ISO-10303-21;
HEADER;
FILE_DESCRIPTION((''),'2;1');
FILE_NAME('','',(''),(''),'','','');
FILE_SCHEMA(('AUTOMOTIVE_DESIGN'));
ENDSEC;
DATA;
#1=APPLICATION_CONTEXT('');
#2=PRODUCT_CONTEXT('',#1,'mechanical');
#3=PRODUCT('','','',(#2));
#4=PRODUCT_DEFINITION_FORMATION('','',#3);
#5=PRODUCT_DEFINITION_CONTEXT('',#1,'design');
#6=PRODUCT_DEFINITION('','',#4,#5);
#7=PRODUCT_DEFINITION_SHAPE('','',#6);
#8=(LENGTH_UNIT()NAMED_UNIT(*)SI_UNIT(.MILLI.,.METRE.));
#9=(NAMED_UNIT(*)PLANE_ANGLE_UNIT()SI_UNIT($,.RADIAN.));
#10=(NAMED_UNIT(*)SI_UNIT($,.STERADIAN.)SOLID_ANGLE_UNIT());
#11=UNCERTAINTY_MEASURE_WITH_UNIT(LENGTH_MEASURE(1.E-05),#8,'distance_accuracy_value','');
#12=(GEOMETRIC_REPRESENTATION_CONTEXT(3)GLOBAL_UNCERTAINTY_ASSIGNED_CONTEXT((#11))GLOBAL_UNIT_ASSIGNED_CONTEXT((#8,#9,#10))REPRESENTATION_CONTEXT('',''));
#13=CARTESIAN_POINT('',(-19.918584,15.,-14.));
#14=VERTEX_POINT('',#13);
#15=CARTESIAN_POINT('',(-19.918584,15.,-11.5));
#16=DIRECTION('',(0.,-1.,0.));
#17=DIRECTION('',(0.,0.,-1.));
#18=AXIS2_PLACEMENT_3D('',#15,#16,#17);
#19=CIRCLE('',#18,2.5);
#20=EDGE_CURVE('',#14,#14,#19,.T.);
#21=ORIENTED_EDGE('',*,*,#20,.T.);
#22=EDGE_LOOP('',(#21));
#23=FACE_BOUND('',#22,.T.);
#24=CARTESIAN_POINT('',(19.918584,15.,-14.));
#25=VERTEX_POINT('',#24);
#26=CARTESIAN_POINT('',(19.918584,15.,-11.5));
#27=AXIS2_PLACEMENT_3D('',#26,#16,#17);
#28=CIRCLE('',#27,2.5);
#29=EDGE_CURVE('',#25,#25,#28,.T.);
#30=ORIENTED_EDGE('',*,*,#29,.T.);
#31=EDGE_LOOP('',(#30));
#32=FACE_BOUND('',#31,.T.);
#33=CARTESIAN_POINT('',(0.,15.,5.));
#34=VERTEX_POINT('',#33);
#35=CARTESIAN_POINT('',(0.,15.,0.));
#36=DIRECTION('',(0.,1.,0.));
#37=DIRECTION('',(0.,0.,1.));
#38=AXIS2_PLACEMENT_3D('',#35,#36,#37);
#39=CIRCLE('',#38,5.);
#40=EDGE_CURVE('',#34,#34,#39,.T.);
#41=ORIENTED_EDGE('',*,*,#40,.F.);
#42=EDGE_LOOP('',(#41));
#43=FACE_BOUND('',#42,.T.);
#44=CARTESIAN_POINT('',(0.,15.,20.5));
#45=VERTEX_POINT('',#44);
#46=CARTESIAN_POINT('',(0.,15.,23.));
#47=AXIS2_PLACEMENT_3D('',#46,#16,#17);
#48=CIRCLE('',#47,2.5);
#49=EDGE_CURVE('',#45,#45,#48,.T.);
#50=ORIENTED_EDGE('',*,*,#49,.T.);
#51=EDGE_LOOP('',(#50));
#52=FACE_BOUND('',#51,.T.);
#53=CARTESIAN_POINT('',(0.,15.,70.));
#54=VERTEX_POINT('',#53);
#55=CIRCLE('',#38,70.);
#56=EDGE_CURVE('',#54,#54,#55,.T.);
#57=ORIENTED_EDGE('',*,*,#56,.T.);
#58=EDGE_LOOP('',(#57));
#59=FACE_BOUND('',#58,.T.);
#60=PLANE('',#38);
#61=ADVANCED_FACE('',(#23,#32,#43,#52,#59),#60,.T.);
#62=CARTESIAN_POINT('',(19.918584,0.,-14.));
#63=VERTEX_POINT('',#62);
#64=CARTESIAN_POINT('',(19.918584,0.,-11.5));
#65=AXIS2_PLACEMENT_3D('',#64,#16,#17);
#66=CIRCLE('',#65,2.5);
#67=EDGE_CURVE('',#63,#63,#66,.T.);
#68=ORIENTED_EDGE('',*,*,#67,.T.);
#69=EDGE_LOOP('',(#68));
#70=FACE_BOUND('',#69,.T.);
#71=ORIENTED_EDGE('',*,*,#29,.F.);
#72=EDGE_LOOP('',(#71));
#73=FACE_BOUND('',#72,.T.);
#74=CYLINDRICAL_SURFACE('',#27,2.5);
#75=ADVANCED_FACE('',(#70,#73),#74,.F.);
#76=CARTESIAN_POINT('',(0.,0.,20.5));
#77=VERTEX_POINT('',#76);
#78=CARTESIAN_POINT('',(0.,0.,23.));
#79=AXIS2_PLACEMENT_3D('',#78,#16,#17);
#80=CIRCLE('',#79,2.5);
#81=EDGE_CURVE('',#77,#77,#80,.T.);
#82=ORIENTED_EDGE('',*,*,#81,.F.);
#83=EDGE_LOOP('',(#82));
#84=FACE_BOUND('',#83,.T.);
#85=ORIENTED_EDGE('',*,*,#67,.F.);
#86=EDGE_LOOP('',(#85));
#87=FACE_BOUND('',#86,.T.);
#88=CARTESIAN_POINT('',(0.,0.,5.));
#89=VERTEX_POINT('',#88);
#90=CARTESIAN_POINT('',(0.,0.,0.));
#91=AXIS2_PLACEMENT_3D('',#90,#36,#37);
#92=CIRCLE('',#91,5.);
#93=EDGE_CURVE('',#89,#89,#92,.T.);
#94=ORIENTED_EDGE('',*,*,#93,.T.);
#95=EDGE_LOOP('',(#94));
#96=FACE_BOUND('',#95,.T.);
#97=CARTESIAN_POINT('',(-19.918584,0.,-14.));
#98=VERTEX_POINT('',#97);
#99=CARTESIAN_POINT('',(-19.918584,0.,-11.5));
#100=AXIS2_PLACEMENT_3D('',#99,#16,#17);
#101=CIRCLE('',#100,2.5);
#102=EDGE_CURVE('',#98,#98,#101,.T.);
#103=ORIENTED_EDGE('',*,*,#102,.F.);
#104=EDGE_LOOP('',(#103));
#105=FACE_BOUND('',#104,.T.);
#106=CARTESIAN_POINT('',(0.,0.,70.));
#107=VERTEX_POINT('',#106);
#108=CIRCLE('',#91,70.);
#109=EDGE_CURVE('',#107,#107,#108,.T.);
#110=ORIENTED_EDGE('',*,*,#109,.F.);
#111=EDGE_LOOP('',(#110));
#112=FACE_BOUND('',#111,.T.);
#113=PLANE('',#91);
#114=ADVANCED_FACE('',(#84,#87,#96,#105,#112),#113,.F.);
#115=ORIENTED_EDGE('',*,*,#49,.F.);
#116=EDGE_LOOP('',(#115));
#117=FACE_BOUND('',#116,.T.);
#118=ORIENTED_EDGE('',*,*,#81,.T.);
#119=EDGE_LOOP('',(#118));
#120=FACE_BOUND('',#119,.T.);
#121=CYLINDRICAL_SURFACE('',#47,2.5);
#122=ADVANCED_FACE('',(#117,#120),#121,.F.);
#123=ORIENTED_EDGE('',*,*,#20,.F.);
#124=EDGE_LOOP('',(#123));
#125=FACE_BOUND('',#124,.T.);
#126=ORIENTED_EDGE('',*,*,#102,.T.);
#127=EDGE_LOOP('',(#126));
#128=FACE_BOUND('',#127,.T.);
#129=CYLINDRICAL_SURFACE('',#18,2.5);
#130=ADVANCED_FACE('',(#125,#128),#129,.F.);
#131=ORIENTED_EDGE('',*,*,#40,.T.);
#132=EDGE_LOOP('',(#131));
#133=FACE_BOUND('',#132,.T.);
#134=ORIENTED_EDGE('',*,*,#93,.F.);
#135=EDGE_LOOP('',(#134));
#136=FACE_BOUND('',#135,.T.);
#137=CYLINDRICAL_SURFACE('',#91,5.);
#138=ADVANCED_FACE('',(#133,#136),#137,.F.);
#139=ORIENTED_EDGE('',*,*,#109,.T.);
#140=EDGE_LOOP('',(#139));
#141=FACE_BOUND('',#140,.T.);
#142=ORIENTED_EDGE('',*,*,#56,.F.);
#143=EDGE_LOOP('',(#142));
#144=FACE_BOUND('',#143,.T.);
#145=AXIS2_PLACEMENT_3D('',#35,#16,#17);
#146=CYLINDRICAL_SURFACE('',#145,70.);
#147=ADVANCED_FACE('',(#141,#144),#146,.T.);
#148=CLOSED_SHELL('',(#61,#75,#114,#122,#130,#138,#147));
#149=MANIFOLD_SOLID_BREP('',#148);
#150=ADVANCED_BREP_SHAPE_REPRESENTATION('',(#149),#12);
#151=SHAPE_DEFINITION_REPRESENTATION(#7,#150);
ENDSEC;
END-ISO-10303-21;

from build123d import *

# Parameters (mm, degrees)
SKETCH1_R           = 70
BOSS_EXTRUDE1_DEPTH = 15
SKETCH2_R           = 5
CUT_EXTRUDE1_DEPTH  = 15
SKETCH3_R           = 2.5
CUT_EXTRUDE2_DEPTH  = 16


with BuildPart() as part:
    # Sketch1 → Boss-Extrude1 (new body)
    with BuildSketch(Plane(origin=(0, 0, 0), x_dir=(1, 0, 0), z_dir=(0, 1, 0))):
        Circle(SKETCH1_R)
    extrude(amount=BOSS_EXTRUDE1_DEPTH)

    # Sketch2 → Cut-Extrude1 (cut)
    with BuildSketch(Plane(origin=(0, 15, 0), x_dir=(1, 0, 0), z_dir=(0, 1, 0))):
        Circle(SKETCH2_R)
    extrude(amount=-CUT_EXTRUDE1_DEPTH, mode=Mode.SUBTRACT)

    # Sketch3 → Cut-Extrude2 (cut, through all)
    with BuildSketch(Plane.XZ):
        with Locations((0, 23)):
            Circle(SKETCH3_R)
        with Locations((19.918584287, -11.5)):
            Circle(SKETCH3_R)
        with Locations((-19.918584287, -11.5)):
            Circle(SKETCH3_R)
    extrude(amount=-CUT_EXTRUDE2_DEPTH, mode=Mode.SUBTRACT)


solid = part.part
